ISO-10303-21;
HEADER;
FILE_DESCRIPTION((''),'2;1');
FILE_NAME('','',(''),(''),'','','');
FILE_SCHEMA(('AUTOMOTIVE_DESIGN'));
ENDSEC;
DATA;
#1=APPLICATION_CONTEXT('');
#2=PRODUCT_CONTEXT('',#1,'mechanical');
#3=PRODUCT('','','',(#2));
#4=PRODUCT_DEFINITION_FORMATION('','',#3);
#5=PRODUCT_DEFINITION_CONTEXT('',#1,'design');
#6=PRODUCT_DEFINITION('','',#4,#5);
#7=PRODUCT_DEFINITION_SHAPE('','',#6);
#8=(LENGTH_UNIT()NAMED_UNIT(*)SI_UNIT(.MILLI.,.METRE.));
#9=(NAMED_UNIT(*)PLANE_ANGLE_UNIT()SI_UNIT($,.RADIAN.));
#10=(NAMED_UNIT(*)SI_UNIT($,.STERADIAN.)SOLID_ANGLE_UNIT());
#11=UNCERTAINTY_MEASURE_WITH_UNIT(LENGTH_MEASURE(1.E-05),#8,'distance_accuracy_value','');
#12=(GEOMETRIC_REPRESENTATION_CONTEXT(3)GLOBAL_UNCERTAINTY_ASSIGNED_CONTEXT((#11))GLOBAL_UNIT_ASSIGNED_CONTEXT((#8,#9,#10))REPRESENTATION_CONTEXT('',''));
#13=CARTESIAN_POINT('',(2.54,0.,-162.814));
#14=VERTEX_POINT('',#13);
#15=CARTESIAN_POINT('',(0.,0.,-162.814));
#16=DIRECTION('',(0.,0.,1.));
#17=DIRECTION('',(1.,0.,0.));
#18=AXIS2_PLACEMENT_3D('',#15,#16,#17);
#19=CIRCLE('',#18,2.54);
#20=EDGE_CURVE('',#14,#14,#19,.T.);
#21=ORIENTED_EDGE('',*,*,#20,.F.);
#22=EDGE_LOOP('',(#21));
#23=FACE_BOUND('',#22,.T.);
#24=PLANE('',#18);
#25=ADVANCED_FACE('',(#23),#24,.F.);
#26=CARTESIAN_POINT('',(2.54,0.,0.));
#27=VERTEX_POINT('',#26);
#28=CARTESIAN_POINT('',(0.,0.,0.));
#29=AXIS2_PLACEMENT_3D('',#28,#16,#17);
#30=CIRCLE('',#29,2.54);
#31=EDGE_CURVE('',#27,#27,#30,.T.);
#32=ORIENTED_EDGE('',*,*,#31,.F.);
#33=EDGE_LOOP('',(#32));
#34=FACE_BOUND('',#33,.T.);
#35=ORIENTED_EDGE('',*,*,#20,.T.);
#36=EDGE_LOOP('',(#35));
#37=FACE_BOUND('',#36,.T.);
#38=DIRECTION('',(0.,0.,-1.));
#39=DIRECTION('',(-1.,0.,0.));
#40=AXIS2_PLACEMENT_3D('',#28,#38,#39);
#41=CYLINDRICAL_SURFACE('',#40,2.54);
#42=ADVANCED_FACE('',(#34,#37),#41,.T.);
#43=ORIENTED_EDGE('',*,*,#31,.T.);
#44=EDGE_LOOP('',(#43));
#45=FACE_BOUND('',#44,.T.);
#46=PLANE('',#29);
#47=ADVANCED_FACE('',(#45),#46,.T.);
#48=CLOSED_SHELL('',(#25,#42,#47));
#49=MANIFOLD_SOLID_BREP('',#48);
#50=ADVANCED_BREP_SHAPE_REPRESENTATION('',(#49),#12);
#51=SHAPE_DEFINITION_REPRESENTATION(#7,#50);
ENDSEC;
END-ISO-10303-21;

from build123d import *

# Parameters (mm, degrees)
SKETCH2_R = 2.54


with BuildPart() as part:
    # Sweep3: sweep along a path in Sketch1
    with BuildLine(Plane(origin=(0, 0, 0), x_dir=(1, 0, 0), z_dir=(0, 1, 0))) as sweep3_path:
        Line((0, 0), (0, 162.814))
    # Sketch2 → Sweep3 (sweep)
    with BuildSketch(Plane.XY):
        Circle(SKETCH2_R)
    sweep(path=sweep3_path.line)


solid = part.part
